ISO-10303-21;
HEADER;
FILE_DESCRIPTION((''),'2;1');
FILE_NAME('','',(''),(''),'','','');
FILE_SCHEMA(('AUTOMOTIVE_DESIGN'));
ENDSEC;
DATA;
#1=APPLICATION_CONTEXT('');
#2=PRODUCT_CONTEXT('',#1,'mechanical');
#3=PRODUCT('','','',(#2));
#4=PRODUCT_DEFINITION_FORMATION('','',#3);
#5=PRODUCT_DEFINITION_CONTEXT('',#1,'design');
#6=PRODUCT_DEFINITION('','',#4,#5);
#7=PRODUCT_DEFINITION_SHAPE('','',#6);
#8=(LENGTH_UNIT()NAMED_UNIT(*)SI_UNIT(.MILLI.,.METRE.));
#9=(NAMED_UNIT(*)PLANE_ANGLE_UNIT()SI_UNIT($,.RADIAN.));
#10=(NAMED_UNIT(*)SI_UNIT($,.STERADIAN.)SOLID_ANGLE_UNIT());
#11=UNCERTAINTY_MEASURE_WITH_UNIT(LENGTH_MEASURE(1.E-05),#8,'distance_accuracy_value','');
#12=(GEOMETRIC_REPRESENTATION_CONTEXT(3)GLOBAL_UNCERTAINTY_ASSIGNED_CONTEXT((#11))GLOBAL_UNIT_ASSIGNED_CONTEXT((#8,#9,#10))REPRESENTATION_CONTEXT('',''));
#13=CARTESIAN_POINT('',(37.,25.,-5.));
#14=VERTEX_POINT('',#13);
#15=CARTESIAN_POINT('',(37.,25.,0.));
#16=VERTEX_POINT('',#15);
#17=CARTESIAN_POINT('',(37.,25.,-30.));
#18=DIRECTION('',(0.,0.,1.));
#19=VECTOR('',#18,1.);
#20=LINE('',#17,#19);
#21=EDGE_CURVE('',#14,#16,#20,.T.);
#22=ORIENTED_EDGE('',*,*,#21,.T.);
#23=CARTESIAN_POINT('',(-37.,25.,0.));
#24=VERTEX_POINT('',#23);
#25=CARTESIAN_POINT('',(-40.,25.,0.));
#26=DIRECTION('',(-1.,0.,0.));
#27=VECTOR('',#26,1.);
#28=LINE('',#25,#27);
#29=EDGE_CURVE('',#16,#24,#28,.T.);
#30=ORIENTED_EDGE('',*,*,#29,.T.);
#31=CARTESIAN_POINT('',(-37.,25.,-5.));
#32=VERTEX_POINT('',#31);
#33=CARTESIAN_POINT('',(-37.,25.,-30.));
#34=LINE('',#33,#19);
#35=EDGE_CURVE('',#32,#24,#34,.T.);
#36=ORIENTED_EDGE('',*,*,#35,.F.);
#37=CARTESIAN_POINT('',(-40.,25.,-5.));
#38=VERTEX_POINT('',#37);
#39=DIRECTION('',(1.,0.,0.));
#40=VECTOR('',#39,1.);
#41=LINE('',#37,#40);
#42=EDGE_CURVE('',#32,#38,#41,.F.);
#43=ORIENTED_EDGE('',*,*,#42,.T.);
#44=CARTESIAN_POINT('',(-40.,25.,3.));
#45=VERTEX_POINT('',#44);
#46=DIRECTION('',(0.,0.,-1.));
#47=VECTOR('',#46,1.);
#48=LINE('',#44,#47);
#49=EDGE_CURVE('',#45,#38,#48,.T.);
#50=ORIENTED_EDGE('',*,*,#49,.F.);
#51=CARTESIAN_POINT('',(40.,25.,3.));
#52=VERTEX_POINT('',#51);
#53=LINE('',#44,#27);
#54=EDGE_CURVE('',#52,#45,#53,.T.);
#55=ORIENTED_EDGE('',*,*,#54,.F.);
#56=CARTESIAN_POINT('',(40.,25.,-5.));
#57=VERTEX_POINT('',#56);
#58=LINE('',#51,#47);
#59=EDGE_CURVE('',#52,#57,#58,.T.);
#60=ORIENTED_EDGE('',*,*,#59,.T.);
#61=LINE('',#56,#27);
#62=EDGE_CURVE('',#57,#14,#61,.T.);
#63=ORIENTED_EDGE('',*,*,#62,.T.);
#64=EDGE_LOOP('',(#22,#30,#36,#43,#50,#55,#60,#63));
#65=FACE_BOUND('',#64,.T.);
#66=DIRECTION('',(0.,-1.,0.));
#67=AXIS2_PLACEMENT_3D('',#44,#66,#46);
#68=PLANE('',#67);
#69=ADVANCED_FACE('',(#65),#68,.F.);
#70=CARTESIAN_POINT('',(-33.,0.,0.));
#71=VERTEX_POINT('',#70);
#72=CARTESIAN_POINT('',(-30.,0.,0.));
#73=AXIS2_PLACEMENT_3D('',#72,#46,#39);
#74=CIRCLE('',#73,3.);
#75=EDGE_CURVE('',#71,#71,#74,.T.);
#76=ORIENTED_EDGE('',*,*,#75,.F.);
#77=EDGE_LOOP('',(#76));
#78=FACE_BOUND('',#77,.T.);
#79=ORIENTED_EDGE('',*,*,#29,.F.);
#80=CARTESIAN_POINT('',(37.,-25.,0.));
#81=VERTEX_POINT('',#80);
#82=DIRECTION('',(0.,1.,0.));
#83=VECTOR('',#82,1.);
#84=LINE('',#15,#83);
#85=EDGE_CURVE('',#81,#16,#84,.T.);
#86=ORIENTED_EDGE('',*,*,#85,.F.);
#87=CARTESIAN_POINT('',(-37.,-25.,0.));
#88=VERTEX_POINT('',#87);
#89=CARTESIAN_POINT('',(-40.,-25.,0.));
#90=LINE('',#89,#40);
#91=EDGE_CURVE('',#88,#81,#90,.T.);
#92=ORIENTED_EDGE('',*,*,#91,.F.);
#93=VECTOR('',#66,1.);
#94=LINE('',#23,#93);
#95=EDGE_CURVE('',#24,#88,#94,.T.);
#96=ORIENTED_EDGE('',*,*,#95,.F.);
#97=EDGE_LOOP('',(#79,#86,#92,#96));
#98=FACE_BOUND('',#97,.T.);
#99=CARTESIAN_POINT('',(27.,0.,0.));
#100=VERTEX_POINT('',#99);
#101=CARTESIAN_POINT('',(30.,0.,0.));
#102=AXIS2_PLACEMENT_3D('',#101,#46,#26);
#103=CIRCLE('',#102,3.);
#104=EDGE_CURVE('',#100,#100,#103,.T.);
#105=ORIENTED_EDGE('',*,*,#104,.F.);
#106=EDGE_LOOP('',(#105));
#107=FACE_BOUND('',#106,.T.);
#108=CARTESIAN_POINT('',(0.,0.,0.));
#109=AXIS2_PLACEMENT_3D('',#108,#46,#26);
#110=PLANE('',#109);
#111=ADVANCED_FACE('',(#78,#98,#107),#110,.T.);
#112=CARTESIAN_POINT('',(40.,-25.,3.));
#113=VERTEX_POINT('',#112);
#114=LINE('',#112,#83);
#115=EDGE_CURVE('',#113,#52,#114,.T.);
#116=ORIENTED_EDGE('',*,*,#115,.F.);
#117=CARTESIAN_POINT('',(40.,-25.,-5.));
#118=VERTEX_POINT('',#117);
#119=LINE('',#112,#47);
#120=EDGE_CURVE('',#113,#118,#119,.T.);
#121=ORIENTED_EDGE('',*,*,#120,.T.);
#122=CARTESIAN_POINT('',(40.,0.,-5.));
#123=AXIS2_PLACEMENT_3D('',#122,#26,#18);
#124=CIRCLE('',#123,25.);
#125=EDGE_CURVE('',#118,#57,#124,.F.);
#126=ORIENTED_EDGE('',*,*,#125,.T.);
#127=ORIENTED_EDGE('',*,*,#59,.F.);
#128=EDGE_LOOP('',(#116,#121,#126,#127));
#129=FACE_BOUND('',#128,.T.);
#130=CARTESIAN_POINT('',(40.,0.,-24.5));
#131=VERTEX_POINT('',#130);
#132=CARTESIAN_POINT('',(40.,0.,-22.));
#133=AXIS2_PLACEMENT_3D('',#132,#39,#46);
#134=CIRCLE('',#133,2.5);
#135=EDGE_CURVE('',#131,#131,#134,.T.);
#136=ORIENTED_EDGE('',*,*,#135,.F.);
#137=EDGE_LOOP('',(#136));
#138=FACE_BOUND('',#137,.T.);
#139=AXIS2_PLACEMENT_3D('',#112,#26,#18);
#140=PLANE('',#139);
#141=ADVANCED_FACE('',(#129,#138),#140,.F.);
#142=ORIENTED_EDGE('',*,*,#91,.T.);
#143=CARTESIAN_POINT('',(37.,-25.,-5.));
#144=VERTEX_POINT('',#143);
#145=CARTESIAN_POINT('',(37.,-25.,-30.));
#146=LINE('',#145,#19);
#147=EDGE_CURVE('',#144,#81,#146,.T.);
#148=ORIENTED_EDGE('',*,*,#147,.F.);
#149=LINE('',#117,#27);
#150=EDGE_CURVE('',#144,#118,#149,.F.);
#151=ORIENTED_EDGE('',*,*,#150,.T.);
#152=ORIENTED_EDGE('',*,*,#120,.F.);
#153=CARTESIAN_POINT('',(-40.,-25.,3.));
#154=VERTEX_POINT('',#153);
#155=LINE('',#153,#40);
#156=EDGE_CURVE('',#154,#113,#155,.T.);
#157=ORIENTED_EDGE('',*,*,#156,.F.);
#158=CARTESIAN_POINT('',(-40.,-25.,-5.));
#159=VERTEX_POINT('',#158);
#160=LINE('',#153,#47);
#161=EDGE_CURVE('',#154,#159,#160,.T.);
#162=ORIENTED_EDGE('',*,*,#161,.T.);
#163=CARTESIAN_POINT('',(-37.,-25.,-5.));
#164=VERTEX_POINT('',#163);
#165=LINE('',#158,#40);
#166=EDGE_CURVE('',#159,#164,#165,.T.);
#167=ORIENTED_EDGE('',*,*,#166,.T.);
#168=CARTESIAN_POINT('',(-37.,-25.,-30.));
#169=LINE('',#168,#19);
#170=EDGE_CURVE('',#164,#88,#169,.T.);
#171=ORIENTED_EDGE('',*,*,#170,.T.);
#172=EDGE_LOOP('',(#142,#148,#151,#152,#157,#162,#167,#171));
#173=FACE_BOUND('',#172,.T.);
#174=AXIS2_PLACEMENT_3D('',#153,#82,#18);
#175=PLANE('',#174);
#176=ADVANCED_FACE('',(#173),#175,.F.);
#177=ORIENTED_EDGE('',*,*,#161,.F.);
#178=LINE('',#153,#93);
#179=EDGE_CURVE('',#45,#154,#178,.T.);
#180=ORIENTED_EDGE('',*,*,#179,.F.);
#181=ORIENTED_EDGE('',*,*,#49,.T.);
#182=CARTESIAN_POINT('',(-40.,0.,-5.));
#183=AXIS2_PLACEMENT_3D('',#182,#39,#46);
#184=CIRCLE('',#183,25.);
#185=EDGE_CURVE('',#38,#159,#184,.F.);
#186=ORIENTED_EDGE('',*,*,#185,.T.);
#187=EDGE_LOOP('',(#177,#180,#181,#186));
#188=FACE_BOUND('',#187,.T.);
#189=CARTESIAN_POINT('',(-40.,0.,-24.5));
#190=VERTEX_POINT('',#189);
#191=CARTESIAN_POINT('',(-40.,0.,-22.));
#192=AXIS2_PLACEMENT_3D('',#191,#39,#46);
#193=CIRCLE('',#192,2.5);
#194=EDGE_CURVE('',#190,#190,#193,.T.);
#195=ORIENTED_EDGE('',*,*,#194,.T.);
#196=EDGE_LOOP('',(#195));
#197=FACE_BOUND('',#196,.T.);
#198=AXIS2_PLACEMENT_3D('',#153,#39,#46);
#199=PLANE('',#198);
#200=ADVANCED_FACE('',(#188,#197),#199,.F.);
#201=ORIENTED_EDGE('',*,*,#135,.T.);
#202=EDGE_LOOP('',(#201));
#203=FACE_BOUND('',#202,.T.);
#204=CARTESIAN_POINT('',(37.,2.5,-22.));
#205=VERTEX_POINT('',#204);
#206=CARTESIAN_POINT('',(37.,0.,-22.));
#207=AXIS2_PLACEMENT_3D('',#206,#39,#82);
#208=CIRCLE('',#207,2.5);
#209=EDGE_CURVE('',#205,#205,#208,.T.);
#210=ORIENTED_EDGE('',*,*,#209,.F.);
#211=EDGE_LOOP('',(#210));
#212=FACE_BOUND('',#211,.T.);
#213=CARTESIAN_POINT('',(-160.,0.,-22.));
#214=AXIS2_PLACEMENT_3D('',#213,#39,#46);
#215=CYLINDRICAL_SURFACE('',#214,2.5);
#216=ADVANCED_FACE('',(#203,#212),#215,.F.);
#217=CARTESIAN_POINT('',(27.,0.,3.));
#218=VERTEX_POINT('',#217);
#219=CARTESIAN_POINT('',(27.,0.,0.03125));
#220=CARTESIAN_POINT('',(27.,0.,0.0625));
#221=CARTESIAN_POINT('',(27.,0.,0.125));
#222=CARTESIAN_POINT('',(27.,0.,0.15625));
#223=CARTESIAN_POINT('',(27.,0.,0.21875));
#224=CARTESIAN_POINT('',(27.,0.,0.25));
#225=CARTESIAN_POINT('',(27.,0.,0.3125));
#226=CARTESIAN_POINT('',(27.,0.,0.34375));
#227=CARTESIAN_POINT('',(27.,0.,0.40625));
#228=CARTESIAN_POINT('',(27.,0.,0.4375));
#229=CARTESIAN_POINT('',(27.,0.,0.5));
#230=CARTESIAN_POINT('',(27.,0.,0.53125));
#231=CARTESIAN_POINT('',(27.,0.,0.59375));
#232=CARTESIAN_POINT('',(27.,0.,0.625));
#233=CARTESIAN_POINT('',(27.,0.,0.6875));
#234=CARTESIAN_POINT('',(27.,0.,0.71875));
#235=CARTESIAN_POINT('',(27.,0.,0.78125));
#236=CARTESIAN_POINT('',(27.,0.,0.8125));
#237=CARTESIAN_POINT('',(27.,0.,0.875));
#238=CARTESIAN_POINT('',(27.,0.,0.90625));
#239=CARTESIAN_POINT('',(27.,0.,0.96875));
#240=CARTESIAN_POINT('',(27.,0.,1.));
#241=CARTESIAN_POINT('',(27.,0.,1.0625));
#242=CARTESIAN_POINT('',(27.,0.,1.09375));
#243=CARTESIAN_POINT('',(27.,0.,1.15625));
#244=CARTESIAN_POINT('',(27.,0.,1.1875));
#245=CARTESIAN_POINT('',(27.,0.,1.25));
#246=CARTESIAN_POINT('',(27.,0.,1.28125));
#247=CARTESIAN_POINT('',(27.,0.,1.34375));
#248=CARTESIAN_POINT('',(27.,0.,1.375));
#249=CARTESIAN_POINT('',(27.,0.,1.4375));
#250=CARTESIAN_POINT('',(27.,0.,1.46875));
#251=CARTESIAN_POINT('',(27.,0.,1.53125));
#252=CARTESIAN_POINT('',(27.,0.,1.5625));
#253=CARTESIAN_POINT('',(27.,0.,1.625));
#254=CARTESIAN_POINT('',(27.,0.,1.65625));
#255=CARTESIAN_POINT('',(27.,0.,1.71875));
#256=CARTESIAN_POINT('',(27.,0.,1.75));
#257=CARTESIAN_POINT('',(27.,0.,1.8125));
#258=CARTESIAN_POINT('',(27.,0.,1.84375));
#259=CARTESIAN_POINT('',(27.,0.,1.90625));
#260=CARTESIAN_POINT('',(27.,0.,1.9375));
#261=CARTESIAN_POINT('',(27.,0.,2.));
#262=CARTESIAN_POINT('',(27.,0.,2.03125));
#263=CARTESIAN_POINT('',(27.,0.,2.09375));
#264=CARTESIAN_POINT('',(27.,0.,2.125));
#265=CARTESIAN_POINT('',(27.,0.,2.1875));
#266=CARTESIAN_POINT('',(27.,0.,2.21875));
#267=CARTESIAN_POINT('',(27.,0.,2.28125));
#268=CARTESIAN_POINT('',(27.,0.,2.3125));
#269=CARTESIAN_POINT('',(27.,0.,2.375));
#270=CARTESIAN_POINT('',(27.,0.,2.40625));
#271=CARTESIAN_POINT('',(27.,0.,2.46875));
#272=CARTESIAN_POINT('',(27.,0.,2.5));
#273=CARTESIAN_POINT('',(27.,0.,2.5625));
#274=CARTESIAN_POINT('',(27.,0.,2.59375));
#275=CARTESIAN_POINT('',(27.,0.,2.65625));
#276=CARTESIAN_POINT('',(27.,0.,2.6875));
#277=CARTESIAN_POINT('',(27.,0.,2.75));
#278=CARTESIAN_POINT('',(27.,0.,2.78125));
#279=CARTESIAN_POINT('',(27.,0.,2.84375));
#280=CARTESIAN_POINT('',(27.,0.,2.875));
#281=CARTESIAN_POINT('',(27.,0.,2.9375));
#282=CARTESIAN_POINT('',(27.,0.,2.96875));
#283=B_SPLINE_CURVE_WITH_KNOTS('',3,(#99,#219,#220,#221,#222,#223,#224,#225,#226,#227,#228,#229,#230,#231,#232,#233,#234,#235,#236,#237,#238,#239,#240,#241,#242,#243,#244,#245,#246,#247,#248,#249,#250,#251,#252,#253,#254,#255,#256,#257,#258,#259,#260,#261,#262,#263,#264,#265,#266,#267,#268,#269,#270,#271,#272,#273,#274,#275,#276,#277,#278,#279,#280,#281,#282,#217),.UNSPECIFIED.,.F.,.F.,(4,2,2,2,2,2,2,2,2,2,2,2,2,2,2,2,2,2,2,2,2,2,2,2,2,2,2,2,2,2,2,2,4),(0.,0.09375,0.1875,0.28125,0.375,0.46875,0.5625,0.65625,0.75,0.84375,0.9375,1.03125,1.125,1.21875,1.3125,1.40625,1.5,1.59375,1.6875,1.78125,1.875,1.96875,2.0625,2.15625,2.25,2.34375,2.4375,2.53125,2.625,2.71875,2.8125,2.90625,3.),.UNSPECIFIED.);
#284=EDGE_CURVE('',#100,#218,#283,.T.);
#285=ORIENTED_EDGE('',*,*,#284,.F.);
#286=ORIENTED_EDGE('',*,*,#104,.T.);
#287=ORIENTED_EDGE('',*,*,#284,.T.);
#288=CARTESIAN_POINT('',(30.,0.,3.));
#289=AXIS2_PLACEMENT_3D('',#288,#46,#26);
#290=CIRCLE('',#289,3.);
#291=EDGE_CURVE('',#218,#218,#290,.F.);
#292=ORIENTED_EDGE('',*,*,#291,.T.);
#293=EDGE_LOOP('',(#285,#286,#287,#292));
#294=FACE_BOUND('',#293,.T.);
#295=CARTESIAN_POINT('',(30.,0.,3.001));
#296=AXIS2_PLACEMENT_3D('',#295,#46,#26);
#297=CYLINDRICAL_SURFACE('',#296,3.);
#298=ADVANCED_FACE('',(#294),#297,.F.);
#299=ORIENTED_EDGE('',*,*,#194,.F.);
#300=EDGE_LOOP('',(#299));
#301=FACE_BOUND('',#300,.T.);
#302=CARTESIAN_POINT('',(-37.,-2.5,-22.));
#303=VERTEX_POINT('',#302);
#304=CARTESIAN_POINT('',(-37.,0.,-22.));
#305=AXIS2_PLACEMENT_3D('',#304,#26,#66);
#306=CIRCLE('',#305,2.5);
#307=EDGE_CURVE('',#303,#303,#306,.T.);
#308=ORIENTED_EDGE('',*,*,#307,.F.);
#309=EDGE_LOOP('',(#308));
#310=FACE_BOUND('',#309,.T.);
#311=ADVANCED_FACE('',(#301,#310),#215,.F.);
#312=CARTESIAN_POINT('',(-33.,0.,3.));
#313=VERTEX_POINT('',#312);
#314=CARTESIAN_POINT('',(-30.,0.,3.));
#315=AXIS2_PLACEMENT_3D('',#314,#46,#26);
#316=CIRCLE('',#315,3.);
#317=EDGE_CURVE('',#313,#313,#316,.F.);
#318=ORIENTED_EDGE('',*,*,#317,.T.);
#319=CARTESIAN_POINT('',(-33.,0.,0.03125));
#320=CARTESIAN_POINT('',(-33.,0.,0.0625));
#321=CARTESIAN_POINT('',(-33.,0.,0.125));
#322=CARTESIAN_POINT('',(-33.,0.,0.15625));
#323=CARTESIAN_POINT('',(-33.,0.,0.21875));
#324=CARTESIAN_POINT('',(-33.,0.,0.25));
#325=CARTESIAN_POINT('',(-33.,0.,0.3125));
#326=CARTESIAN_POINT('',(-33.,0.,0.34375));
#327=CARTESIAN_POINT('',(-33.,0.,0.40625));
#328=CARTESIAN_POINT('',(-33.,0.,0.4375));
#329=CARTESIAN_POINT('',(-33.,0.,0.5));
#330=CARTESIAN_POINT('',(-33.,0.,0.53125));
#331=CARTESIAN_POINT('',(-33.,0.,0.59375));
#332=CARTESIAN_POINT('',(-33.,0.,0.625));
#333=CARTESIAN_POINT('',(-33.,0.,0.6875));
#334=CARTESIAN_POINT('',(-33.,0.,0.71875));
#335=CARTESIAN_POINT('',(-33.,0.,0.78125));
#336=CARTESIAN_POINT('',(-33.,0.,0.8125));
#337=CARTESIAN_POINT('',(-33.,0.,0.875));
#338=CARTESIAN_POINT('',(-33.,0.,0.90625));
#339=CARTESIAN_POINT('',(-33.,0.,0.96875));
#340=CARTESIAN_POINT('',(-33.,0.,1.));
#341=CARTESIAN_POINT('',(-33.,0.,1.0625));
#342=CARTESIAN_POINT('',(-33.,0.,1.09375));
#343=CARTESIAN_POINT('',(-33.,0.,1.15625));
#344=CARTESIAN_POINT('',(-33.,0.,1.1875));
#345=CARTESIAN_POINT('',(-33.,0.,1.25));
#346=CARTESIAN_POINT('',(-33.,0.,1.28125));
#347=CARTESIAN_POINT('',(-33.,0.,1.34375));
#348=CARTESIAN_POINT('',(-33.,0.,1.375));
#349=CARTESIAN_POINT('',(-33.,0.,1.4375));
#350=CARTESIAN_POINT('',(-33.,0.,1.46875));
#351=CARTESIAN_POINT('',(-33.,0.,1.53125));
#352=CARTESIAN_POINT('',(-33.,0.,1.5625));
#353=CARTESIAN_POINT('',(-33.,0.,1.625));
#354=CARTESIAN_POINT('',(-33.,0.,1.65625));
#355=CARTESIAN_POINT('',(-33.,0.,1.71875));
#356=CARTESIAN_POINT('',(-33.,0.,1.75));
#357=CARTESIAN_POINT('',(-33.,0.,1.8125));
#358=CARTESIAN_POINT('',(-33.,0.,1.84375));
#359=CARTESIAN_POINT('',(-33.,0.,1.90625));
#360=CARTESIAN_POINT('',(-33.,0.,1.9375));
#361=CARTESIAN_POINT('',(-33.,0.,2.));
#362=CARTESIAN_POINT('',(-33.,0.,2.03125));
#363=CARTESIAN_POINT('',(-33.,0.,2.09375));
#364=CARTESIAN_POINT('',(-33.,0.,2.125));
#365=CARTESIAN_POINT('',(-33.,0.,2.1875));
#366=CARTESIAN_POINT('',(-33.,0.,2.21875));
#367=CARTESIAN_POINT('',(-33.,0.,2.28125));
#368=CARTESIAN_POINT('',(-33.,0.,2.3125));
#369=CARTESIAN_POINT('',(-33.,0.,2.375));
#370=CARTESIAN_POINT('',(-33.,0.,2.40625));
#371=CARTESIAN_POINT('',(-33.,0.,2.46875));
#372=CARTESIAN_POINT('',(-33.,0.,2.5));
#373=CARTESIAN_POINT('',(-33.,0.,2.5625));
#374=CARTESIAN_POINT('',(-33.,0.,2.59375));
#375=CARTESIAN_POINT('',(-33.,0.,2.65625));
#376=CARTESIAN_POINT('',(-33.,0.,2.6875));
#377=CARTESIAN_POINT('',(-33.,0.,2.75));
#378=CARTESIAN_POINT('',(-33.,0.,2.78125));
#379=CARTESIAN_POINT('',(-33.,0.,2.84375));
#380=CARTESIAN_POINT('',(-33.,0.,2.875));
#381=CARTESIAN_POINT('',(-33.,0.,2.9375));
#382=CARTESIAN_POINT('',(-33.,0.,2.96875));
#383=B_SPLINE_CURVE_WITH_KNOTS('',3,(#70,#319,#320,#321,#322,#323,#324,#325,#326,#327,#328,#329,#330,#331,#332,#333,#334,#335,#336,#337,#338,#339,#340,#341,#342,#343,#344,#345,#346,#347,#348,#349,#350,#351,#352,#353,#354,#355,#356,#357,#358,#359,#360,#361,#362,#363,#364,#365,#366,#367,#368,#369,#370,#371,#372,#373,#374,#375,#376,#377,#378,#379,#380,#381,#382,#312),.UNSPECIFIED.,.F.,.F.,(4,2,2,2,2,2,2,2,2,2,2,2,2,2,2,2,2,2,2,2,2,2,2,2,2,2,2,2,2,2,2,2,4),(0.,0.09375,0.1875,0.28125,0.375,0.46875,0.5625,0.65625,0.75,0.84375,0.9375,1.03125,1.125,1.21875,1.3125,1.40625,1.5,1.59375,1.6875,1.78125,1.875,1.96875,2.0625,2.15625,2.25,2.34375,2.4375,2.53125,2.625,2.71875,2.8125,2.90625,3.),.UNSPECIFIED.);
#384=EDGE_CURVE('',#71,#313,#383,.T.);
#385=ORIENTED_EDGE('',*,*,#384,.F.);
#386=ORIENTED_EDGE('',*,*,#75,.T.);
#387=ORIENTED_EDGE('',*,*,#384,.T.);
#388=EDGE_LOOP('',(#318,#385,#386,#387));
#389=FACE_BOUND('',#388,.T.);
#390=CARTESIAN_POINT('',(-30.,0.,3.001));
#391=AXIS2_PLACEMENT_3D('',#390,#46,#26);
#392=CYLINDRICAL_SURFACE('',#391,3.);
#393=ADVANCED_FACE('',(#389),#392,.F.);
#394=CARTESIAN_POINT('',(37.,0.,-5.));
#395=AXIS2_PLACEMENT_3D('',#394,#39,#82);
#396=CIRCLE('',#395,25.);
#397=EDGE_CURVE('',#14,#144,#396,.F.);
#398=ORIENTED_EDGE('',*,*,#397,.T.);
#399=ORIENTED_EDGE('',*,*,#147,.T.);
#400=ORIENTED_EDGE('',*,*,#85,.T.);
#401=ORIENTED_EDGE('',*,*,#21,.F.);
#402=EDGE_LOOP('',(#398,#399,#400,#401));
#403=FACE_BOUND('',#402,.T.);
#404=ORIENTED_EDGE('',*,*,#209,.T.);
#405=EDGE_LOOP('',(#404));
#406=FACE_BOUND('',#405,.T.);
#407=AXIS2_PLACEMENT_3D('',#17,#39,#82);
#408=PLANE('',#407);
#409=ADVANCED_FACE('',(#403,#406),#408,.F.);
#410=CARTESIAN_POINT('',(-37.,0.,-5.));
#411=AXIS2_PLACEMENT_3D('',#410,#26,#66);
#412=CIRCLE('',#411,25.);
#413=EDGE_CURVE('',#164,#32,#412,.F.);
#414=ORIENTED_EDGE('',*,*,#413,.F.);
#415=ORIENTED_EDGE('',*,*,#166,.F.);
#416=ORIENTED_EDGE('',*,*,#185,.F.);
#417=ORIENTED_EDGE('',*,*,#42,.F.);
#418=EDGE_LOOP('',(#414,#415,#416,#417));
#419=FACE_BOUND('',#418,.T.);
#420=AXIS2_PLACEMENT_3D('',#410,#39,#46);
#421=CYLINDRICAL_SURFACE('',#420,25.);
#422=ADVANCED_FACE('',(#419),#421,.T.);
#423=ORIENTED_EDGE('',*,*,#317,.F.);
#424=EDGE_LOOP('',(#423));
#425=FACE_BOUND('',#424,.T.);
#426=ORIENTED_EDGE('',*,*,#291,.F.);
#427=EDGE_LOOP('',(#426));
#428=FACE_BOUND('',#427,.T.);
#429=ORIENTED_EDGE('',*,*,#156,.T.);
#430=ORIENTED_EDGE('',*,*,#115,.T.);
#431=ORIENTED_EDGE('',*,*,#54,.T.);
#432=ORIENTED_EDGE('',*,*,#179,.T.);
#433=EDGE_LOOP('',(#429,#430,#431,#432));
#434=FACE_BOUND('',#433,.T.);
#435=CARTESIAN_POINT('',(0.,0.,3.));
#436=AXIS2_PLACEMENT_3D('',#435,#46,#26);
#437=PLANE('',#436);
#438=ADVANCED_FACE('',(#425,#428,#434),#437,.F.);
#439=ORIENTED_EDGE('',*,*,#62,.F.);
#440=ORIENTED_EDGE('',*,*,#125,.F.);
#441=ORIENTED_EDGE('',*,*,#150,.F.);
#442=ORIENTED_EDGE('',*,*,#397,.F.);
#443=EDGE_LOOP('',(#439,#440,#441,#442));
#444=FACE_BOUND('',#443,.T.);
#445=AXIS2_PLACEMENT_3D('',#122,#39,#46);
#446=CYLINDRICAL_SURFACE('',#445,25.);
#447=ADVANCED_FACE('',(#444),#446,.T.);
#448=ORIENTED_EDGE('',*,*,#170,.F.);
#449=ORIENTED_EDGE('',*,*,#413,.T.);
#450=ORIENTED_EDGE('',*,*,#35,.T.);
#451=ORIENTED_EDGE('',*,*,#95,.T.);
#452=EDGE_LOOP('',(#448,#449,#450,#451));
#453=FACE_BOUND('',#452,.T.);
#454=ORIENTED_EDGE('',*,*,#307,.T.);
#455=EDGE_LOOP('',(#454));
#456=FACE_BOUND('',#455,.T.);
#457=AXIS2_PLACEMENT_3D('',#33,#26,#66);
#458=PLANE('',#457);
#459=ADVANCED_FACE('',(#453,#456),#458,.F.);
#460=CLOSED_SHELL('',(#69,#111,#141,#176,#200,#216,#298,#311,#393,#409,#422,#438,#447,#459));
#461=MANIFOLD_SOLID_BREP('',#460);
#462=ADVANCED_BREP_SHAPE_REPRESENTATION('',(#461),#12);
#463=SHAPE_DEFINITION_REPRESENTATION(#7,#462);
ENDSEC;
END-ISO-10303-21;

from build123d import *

# Parameters (mm, degrees)
SKETCH1_W           = 80
SKETCH1_H           = 50
BOSS_EXTRUDE1_DEPTH = 3
CUT_EXTRUDE1_REACH  = 49.265
SKETCH2_R           = 3
SKETCH3_W           = 3
SKETCH3_H           = 50
BOSS_EXTRUDE2_DEPTH = 30
FILLET1_RADIUS      = 25
FILLET1_LENGTH      = 3
FILLET2_RADIUS      = 25
FILLET2_LENGTH      = 3
SKETCH4_R           = 2.5
CUT_EXTRUDE2_DEPTH  = 200


with BuildPart() as part:
    # Sketch1 → Boss-Extrude1 (new body)
    with BuildSketch(Plane.XY):
        Rectangle(SKETCH1_W, SKETCH1_H)
    extrude(amount=BOSS_EXTRUDE1_DEPTH)

    # Sketch2 → Cut-Extrude1 (cut, up to next)
    with BuildSketch(Plane(origin=(0, 0, 0), x_dir=(-1, 0, 0), z_dir=(0, 0, -1)), mode=Mode.PRIVATE) as cut_extrude1_sk1:
        with Locations((-30, 0)):
            Circle(SKETCH2_R)
    cut_extrude1_tool1 = extrude(cut_extrude1_sk1.sketch, amount=-CUT_EXTRUDE1_REACH, mode=Mode.PRIVATE) & part.part
    # Sketch2 → Cut-Extrude1 (cut, up to next)
    with BuildSketch(Plane(origin=(0, 0, 0), x_dir=(-1, 0, 0), z_dir=(0, 0, -1)), mode=Mode.PRIVATE) as cut_extrude1_sk2:
        with Locations((30, 0)):
            Circle(SKETCH2_R)
    cut_extrude1_tool2 = extrude(cut_extrude1_sk2.sketch, amount=-CUT_EXTRUDE1_REACH, mode=Mode.PRIVATE) & part.part
    add(cut_extrude1_tool1.solids().sort_by_distance((30, 0, 0))[0], mode=Mode.SUBTRACT)
    add(cut_extrude1_tool2.solids().sort_by_distance((-30, 0, 0))[0], mode=Mode.SUBTRACT)

    # Sketch3 → Boss-Extrude2 (add)
    with BuildSketch(Plane(origin=(0, 0, 0), x_dir=(-1, 0, 0), z_dir=(0, 0, -1))):
        with Locations((-38.5, 0)):
            Rectangle(SKETCH3_W, SKETCH3_H)
        with Locations((38.5, 0)):
            Rectangle(SKETCH3_W, SKETCH3_H)
    extrude(amount=BOSS_EXTRUDE2_DEPTH)

    # Fillet1: full round fillet: the end face becomes a half cylinder, R = half its width
    fillet1_face = Plane((38.5, 0, -30), x_dir=(-1, 0, 0), z_dir=(0, 0, -1))  # on the end face: x along it, z out of the body
    fillet1_slab = fillet1_face.offset(-FILLET1_RADIUS / 2) * Box(FILLET1_LENGTH, 2 * FILLET1_RADIUS, FILLET1_RADIUS, mode=Mode.PRIVATE)  # the body's end, R deep
    fillet1_round = Plane((38.5, 0, -5), x_dir=(0, 0, -1), z_dir=(-1, 0, 0)) * Cylinder(FILLET1_RADIUS, FILLET1_LENGTH, mode=Mode.PRIVATE)  # its axis R under the face
    add(fillet1_slab - fillet1_round, mode=Mode.SUBTRACT)

    # Fillet2: full round fillet: the end face becomes a half cylinder, R = half its width
    fillet2_face = Plane((-38.5, 0, -30), x_dir=(1, 0, 0), z_dir=(0, 0, -1))  # on the end face: x along it, z out of the body
    fillet2_slab = fillet2_face.offset(-FILLET2_RADIUS / 2) * Box(FILLET2_LENGTH, 2 * FILLET2_RADIUS, FILLET2_RADIUS, mode=Mode.PRIVATE)  # the body's end, R deep
    fillet2_round = Plane((-38.5, 0, -5), x_dir=(0, 0, -1), z_dir=(1, 0, 0)) * Cylinder(FILLET2_RADIUS, FILLET2_LENGTH, mode=Mode.PRIVATE)  # its axis R under the face
    add(fillet2_slab - fillet2_round, mode=Mode.SUBTRACT)

    # Sketch4 → Cut-Extrude2 (cut)
    with BuildSketch(Plane(origin=(40, 0, 0), x_dir=(0, 0, -1), z_dir=(1, 0, 0))):
        with Locations((22, 0)):
            Circle(SKETCH4_R)
    extrude(amount=-CUT_EXTRUDE2_DEPTH, mode=Mode.SUBTRACT)


solid = part.part
